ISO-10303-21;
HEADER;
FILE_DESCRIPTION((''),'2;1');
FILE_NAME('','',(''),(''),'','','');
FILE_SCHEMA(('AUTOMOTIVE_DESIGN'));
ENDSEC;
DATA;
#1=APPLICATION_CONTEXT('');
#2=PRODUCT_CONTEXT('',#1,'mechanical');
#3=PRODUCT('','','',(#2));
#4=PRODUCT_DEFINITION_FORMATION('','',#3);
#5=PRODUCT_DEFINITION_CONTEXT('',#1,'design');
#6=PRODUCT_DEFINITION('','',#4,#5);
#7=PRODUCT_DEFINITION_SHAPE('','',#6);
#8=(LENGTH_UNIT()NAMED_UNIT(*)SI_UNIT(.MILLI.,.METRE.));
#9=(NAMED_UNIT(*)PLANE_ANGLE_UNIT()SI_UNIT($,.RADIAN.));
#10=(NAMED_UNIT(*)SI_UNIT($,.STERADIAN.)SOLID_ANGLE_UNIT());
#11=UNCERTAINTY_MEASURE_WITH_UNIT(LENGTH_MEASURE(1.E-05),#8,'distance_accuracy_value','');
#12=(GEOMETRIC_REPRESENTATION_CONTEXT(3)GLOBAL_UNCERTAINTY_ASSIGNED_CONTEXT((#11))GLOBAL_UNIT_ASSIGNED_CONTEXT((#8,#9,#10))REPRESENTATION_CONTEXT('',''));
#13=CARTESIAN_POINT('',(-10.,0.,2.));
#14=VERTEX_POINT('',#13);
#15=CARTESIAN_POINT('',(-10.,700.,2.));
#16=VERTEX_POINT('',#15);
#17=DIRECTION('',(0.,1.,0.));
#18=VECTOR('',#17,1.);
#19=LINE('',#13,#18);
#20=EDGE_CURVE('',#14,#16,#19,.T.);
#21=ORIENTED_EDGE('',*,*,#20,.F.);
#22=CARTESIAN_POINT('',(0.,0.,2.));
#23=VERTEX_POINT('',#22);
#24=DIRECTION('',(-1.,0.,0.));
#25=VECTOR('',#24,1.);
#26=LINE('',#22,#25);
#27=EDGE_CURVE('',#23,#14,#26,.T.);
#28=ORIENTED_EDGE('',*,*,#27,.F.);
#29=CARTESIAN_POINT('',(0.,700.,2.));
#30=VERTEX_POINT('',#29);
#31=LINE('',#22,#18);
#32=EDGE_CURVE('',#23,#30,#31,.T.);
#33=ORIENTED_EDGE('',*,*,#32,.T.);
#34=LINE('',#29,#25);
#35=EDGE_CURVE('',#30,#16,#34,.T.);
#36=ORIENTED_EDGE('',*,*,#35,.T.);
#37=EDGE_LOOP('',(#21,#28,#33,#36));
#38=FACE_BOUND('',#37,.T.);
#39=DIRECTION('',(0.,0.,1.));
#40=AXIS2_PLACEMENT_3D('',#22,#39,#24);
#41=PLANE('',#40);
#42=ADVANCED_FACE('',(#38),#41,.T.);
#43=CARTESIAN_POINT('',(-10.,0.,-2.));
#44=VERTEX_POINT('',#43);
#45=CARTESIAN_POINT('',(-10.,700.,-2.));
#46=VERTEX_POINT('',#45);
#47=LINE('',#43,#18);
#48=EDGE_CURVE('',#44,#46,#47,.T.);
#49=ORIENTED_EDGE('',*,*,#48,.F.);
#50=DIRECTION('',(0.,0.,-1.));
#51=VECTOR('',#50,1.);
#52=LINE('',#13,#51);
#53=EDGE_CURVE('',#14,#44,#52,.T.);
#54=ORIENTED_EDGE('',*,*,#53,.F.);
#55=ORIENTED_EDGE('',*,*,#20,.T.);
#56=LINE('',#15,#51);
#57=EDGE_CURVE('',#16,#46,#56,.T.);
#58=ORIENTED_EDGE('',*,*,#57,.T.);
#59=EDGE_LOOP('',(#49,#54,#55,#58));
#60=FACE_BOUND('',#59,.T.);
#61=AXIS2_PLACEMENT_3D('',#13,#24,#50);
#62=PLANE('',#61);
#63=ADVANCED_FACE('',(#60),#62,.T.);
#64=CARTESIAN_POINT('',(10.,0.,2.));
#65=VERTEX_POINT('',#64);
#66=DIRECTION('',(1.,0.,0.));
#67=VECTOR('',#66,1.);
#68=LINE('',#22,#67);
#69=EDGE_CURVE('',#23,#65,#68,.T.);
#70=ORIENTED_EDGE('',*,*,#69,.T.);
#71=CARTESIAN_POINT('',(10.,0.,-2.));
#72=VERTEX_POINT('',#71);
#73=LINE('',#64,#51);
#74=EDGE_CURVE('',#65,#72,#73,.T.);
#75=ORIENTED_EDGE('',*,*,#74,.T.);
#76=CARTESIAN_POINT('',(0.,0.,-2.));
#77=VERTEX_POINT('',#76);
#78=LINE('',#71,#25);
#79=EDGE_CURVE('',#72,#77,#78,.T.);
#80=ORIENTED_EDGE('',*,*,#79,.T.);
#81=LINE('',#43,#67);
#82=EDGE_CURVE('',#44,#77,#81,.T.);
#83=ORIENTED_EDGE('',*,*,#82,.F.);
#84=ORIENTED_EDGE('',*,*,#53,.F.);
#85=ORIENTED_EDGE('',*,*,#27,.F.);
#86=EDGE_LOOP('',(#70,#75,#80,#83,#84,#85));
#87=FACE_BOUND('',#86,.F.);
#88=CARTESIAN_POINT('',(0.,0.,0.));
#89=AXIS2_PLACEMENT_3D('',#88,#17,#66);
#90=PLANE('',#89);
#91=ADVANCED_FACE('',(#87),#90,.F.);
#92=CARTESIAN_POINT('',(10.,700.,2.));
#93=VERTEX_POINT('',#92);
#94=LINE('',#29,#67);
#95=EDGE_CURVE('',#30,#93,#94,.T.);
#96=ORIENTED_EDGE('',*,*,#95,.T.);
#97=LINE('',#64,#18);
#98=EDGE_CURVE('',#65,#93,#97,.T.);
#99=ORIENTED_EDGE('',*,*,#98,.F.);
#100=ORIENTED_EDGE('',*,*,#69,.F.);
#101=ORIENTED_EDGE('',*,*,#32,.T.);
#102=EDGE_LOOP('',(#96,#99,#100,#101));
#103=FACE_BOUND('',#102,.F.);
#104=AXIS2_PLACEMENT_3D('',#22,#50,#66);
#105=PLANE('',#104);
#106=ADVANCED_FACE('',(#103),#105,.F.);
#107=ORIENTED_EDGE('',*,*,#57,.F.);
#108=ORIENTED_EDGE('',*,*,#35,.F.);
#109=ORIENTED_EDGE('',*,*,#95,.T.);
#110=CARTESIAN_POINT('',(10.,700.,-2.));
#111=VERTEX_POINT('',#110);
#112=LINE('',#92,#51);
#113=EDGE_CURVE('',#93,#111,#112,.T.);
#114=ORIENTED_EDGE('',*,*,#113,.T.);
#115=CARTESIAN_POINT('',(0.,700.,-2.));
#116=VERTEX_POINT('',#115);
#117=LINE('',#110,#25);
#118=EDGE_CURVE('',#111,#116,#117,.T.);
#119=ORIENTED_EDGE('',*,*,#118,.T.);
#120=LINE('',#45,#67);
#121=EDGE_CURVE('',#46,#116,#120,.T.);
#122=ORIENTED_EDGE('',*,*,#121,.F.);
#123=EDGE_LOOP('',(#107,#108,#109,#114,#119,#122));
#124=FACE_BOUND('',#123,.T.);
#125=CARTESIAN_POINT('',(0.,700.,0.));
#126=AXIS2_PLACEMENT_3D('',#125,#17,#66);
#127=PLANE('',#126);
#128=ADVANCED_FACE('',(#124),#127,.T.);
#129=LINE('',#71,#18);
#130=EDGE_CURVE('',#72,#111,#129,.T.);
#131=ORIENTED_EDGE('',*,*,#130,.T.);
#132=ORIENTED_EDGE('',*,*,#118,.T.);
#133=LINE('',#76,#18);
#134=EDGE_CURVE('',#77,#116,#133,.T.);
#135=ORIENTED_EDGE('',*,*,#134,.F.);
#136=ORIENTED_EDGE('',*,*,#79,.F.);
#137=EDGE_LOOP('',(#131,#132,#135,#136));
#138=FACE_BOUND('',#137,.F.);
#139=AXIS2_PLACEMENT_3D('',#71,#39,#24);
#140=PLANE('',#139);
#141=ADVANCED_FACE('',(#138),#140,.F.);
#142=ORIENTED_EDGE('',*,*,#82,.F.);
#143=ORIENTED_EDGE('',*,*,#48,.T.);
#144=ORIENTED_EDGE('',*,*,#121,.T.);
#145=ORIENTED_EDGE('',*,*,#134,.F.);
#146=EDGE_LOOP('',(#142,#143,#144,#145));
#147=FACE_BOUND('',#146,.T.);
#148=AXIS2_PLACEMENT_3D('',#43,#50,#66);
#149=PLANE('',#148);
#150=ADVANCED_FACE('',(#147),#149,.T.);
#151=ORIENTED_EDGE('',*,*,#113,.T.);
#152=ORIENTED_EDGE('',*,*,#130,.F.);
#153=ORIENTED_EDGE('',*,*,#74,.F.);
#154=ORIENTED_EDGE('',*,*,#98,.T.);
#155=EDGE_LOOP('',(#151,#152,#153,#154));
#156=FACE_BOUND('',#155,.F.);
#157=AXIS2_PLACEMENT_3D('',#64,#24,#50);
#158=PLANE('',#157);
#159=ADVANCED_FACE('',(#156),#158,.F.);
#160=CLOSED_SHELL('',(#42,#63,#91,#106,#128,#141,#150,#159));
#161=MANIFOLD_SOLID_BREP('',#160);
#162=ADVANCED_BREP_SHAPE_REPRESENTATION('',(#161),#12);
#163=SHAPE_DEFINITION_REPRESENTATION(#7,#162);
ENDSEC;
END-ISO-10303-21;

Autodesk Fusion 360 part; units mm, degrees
sketch "Sketch1" plane through (0, 0, 0) normal (0, 1, 0) x (1, 0, 0)
  line L0 (0, -2) -> (10, -2)
  line L1 (10, -2) -> (10, 2)
  line L2 (10, 2) -> (0, 2)
  line L3 (0, -2) -> (-10, -2)
  line L4 (-10, -2) -> (-10, 2)
  line L5 (-10, 2) -> (0, 2)
  dimension "d1" = 10
  dimension "d2" = 4
extrude "Extrude1" add sketch "Sketch1" along normal blind 700
